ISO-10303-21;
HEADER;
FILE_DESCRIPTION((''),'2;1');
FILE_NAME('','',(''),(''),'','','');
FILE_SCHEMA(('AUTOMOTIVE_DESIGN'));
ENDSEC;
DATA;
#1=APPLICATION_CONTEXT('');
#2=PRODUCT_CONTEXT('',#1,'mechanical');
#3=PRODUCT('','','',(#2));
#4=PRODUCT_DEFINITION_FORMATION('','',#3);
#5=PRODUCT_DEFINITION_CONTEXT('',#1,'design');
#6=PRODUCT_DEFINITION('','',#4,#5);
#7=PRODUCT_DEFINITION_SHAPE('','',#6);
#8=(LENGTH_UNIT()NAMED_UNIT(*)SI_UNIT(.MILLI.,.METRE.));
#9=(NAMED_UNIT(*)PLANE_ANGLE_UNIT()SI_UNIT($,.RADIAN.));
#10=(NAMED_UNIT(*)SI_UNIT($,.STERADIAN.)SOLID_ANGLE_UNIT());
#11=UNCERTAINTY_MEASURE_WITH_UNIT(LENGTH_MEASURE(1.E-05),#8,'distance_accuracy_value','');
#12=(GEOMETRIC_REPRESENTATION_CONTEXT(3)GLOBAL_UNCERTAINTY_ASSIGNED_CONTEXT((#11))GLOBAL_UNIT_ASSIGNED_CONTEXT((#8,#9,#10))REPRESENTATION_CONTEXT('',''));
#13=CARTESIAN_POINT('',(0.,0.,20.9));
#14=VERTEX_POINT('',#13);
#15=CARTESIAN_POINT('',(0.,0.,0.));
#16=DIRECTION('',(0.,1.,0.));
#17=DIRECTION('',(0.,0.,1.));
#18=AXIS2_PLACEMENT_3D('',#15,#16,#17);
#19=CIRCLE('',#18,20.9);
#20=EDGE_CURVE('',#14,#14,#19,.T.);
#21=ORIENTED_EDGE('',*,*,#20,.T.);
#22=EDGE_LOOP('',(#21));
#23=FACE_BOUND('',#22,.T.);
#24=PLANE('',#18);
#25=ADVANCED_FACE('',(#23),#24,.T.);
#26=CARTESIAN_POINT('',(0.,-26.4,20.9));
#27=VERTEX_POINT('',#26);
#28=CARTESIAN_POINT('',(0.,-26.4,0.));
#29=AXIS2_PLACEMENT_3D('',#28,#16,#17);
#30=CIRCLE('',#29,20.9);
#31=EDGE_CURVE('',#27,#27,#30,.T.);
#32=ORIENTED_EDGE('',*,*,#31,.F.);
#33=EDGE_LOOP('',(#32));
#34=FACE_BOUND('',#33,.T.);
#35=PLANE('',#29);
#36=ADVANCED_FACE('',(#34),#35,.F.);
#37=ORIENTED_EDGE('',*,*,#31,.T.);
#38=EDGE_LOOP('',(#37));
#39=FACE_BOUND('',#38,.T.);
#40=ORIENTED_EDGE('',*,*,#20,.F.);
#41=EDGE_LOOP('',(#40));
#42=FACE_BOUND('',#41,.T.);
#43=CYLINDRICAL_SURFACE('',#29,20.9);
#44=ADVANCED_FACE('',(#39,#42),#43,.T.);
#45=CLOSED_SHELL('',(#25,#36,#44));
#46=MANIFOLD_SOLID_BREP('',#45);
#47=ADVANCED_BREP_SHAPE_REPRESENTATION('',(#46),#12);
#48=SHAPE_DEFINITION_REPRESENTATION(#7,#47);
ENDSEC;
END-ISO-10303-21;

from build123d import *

# Parameters (mm, degrees)
SKETCH1_R           = 20.9
BOSS_EXTRUDE1_DEPTH = 26.4


with BuildPart() as part:
    # Sketch1 → Boss-Extrude1 (new body)
    with BuildSketch(Plane(origin=(0, 0, 0), x_dir=(1, 0, 0), z_dir=(0, 1, 0))):
        with Locations(Location((0, 0, 0), (0, 0, 270))):
            Circle(SKETCH1_R)
    extrude(amount=-BOSS_EXTRUDE1_DEPTH)


solid = part.part
